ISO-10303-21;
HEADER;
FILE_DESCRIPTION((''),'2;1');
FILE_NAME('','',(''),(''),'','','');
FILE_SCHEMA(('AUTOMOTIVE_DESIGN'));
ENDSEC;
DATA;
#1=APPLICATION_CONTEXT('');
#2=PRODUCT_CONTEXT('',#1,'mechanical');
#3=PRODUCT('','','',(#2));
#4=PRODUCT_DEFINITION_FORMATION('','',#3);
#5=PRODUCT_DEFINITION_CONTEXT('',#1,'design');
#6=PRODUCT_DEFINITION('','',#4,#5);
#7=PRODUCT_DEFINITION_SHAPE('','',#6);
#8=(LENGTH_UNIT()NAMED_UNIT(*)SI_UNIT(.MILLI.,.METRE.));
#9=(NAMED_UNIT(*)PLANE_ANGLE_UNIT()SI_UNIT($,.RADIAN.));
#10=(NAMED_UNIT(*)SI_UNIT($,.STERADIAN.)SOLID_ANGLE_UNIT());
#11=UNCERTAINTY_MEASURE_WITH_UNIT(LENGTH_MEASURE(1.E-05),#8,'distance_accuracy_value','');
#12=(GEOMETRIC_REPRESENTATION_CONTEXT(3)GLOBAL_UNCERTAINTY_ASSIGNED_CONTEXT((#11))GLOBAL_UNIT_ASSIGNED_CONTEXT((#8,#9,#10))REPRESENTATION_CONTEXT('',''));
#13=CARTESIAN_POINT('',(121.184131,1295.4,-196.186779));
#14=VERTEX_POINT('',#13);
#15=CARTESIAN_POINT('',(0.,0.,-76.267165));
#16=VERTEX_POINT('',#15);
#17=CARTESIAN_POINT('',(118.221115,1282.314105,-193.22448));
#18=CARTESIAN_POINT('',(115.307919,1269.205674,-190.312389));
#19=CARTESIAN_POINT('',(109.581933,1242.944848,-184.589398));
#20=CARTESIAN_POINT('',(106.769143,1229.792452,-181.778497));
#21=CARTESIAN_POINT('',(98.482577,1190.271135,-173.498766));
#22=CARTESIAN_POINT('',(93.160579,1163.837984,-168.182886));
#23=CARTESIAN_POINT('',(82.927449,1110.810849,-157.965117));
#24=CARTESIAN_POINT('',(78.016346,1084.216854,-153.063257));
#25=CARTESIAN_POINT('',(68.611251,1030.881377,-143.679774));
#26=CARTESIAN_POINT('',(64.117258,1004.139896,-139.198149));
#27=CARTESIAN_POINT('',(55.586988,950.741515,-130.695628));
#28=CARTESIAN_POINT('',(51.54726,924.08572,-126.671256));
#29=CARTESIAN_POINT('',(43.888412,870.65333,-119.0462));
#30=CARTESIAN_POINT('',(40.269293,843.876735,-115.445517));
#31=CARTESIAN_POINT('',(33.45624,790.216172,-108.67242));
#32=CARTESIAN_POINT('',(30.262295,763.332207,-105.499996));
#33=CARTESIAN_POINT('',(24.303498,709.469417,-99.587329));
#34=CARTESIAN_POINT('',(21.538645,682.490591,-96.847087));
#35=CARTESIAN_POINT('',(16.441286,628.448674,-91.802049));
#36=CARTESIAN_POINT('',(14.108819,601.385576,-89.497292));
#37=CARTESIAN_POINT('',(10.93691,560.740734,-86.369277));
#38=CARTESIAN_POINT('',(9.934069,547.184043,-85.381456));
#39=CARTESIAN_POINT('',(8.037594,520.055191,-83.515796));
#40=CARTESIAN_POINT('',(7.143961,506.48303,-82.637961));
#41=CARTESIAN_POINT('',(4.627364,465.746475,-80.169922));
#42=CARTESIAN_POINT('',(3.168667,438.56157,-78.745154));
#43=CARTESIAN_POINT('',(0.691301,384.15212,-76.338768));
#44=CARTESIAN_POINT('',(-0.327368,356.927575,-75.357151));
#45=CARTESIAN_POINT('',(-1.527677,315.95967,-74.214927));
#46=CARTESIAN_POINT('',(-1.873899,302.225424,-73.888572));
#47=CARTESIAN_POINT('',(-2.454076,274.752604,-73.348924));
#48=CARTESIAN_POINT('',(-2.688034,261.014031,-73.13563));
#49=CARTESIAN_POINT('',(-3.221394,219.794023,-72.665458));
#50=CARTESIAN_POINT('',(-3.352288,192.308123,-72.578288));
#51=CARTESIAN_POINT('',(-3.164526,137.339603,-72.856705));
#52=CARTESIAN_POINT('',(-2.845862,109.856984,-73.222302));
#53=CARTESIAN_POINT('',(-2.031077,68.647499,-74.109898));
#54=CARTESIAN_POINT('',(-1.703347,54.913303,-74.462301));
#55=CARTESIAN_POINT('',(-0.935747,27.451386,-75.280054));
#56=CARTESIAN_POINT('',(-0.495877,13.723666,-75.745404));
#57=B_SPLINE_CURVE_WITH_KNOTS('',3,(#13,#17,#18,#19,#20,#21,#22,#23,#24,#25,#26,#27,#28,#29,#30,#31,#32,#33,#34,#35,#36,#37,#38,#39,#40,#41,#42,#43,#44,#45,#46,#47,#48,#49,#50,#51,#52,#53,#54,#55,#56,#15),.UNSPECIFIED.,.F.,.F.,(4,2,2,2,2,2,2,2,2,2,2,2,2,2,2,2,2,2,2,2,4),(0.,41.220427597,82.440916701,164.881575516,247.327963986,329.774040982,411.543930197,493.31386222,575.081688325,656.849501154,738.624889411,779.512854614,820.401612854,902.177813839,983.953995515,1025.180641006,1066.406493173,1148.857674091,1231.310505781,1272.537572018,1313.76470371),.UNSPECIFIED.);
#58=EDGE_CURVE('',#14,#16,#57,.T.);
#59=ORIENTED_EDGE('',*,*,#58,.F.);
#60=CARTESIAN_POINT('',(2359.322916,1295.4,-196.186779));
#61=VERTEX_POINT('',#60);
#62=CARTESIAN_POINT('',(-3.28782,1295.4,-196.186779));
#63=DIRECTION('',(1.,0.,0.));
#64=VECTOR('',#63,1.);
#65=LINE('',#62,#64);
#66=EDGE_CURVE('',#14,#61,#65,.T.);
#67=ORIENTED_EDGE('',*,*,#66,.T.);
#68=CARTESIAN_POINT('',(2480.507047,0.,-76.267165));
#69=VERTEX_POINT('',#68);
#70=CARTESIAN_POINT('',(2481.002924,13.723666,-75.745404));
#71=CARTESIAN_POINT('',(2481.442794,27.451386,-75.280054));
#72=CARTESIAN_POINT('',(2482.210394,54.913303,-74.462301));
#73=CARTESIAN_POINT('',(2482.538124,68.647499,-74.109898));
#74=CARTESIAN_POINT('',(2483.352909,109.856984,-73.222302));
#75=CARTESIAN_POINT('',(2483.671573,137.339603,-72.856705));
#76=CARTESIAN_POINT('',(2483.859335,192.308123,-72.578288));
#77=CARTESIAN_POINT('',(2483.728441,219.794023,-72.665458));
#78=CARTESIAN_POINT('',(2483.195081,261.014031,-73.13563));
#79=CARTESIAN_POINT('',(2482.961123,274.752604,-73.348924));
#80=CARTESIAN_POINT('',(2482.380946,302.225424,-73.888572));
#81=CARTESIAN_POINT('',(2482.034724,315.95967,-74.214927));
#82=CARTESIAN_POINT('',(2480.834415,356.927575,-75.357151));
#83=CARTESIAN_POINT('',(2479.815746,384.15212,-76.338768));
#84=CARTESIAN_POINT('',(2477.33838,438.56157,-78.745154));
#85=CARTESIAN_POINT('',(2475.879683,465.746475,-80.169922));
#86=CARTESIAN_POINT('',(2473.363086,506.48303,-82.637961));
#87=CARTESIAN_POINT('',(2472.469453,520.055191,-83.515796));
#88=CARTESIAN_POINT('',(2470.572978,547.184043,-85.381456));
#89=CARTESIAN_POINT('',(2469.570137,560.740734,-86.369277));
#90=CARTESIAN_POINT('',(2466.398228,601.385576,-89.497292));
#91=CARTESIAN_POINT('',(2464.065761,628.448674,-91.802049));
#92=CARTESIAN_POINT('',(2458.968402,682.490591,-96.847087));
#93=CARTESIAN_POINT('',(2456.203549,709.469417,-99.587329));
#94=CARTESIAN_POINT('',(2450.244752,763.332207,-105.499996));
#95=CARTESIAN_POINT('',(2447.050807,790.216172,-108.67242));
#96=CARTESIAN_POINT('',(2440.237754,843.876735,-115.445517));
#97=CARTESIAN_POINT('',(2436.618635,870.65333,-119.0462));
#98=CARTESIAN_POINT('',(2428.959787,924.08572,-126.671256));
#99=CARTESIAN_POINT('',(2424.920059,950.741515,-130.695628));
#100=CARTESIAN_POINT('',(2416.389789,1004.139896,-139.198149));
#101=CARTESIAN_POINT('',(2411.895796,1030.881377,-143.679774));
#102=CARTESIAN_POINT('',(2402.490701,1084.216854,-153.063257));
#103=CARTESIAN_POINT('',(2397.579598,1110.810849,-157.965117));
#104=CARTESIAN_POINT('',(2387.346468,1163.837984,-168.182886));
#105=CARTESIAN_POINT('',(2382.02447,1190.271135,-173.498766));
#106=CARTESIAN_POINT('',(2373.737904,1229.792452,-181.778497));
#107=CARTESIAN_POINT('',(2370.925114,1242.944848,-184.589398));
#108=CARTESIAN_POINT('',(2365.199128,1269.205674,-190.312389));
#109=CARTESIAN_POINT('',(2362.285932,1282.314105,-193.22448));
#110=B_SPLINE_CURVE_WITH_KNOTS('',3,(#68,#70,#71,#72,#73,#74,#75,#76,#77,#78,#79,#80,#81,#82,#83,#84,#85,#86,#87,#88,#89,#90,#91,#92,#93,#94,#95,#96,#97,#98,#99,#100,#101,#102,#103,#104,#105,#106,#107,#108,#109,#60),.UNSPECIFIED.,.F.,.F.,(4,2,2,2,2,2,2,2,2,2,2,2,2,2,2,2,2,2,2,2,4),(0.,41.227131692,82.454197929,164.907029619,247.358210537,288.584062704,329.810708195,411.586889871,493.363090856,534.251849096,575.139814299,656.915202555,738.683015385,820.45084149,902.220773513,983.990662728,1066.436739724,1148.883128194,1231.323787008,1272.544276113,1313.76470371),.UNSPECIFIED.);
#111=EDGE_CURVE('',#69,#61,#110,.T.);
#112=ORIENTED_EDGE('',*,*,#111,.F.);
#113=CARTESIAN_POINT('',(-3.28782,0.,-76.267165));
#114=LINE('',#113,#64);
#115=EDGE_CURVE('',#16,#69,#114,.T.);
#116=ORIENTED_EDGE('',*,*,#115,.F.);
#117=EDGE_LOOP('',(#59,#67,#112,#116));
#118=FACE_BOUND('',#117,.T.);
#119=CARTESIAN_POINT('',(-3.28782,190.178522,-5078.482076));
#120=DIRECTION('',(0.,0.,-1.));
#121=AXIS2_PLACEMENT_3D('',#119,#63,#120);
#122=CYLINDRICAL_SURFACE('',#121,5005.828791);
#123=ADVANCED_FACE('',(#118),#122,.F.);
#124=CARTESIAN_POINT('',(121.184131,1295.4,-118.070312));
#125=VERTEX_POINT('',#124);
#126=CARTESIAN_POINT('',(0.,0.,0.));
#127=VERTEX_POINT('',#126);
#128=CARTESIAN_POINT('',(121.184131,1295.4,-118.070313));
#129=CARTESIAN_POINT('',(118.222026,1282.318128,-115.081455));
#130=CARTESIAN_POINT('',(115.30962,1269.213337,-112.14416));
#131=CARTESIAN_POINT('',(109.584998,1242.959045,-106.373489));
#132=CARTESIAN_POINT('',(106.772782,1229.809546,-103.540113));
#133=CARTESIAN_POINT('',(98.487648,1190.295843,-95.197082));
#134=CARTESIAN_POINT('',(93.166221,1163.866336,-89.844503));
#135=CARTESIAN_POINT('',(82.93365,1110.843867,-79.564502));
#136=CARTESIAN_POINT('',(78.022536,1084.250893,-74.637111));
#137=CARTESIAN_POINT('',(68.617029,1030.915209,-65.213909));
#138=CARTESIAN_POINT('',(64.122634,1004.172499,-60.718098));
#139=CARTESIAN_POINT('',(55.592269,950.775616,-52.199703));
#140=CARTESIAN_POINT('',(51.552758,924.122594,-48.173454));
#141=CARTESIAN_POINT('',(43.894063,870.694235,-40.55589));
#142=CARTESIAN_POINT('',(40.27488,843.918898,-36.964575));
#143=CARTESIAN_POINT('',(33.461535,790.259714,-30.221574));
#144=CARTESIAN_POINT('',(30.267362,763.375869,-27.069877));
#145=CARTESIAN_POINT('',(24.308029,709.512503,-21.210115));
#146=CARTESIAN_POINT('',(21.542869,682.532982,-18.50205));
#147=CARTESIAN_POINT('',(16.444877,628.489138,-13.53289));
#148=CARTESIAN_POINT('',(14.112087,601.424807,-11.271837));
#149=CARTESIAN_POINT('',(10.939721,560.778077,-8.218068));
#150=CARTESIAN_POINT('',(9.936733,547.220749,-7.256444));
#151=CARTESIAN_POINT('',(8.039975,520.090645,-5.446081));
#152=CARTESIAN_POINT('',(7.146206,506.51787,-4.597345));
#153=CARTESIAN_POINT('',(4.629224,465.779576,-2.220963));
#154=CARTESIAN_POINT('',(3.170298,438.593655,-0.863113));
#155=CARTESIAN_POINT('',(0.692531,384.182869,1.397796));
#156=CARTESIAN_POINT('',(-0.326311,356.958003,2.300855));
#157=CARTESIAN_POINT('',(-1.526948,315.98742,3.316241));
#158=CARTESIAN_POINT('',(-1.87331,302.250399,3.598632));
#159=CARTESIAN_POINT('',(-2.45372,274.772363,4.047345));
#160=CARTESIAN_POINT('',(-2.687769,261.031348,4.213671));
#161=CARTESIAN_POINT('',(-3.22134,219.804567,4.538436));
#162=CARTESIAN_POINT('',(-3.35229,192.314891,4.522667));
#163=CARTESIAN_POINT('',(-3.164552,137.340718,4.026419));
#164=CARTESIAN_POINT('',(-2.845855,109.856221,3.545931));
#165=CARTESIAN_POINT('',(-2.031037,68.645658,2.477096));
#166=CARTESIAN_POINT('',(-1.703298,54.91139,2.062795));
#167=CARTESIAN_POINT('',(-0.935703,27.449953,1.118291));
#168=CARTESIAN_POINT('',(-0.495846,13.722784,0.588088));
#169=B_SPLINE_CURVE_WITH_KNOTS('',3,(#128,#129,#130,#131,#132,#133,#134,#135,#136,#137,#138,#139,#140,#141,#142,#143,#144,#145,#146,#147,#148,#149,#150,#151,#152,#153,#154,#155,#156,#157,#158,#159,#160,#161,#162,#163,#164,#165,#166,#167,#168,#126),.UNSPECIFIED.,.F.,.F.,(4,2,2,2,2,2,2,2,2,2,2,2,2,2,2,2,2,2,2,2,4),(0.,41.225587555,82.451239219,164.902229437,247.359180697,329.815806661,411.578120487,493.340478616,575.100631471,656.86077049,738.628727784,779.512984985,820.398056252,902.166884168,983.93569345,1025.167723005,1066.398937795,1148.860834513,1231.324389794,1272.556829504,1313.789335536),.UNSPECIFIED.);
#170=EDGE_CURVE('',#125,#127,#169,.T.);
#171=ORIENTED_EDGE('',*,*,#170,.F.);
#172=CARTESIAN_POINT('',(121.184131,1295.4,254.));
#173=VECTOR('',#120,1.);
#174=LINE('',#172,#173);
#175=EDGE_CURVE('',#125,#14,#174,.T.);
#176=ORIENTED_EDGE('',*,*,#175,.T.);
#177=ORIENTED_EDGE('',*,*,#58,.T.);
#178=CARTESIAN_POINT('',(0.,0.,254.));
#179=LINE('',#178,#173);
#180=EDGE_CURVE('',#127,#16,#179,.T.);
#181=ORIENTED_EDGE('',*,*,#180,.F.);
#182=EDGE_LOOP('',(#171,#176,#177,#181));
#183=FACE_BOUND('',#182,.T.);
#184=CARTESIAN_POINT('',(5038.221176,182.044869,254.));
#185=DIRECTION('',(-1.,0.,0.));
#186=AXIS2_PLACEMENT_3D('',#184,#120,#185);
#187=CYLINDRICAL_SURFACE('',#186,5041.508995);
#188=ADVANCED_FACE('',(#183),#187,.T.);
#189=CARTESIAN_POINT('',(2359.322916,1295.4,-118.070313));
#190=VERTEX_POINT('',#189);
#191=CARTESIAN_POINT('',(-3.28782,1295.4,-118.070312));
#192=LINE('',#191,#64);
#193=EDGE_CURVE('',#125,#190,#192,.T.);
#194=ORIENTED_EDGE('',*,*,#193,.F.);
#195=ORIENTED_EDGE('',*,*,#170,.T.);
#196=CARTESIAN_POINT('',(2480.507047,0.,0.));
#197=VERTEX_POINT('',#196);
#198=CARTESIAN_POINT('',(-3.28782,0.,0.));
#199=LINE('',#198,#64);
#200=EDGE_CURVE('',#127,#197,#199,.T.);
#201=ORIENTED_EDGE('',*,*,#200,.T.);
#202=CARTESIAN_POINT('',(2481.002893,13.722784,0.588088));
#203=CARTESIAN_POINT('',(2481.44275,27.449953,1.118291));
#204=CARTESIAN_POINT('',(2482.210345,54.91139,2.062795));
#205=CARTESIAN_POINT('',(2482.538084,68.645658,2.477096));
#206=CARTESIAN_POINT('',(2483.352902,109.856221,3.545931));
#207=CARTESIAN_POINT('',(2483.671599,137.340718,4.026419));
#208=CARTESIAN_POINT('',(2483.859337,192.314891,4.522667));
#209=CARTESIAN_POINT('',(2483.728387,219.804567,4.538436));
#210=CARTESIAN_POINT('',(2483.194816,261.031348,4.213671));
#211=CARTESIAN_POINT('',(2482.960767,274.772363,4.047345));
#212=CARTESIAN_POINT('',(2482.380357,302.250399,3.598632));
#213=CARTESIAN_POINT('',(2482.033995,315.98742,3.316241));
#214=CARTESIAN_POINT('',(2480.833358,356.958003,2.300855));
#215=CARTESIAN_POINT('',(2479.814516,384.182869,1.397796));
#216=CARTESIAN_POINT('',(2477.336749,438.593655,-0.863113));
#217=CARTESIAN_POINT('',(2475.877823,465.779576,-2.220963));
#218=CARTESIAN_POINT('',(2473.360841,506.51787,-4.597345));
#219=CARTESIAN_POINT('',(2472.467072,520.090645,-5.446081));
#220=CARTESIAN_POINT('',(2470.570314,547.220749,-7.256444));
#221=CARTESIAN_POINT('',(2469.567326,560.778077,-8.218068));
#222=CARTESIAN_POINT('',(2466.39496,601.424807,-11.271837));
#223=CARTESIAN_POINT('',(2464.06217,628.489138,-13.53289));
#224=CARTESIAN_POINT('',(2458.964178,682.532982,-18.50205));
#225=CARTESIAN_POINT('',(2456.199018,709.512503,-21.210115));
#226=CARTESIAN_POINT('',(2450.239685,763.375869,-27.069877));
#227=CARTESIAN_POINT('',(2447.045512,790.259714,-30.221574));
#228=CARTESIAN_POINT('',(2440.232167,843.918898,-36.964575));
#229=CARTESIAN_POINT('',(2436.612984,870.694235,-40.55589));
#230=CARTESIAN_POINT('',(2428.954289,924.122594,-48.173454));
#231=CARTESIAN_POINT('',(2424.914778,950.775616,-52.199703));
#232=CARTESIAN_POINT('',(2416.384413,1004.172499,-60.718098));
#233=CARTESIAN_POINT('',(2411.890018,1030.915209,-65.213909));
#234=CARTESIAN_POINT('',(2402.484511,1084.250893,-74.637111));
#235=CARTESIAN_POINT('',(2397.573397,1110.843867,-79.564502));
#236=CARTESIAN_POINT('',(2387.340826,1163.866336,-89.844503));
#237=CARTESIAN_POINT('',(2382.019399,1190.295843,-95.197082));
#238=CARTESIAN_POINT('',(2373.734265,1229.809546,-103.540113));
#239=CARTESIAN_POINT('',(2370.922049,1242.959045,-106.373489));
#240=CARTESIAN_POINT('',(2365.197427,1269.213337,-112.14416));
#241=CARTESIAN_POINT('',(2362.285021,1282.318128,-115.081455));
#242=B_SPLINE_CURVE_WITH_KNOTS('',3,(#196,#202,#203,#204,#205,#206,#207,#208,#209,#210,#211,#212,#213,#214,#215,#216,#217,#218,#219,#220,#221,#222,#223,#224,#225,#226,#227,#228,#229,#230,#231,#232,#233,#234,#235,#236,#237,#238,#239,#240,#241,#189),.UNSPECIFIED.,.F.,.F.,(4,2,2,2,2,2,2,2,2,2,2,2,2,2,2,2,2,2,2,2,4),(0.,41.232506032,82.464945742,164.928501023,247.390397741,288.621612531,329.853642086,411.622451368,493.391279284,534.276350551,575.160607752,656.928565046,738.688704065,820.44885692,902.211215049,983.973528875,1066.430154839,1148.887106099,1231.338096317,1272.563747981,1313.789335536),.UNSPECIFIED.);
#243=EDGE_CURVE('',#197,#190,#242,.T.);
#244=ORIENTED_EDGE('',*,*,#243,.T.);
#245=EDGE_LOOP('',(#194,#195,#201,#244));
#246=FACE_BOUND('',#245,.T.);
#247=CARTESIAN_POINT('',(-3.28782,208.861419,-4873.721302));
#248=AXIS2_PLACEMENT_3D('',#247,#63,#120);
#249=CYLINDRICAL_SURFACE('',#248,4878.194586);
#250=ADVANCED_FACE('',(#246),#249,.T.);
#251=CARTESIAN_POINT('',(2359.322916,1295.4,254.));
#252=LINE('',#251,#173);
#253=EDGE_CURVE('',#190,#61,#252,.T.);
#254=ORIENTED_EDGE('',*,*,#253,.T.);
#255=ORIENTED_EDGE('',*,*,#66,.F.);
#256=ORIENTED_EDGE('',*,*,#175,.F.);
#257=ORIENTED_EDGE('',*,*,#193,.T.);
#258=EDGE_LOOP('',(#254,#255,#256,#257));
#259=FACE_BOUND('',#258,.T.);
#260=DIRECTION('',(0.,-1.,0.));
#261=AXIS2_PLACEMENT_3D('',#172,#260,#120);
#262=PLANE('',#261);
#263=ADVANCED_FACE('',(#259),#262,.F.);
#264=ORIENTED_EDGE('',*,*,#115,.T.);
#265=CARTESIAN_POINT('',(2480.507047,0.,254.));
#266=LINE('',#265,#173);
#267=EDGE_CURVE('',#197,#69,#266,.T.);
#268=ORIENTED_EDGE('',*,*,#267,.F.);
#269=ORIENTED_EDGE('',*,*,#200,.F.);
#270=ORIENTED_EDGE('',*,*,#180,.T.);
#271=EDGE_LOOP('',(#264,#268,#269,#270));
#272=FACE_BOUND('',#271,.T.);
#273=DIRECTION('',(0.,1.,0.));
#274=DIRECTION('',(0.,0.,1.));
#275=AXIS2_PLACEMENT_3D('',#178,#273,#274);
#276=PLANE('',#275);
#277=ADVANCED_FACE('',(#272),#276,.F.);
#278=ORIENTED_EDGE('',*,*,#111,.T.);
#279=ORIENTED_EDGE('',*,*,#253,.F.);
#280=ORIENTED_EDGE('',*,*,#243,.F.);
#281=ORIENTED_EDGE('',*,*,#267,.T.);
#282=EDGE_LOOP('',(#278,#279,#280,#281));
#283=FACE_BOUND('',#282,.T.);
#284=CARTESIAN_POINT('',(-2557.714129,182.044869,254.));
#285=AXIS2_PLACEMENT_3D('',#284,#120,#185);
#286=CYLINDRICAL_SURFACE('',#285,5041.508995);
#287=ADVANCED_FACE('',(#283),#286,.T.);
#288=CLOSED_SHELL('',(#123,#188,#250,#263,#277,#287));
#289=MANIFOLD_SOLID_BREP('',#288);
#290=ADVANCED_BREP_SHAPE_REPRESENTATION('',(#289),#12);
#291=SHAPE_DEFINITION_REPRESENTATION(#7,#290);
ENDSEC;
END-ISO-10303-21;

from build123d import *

# Parameters (mm, degrees)
BOSS_EXTRUDE1_DEPTH     = 254
CUT_EXTRUDE1_DEPTH      = 2813.794713328
CUT_EXTRUDE1_DEPTH_BACK = 2813.794713328


with BuildPart() as part:
    # Sketch1 → Boss-Extrude1 (new, symmetric)
    with BuildSketch(Plane.XY):
        with BuildLine():
            Line((121.1841308, 1295.4), (2359.322916218, 1295.4))
            ThreePointArc((2359.322916218, 1295.4), (2461.87817047, 651.62563885), (2480.507047018, 0))
            Line((2480.507047018, 0), (0, 0))
            ThreePointArc((0, 0), (18.628876548, 651.62563885), (121.1841308, 1295.4))
        make_face()
    extrude(amount=BOSS_EXTRUDE1_DEPTH, both=True)

    # Sketch2 → Cut-Extrude1 (cut, two sides: drawn at the far end of the back side and taken through both)
    with BuildSketch(Plane(origin=(0, 0, 0), x_dir=(0, 0, -1), z_dir=(1, 0, 0)).offset(-CUT_EXTRUDE1_DEPTH_BACK)):
        with BuildLine():
            ThreePointArc((118.0703125, 1295.4), (15.664285855, 651.653074125), (0, 0))
            Line((0, 0), (-254, 0))
            Line((-254, 0), (-254, 1295.4))
            Line((-254, 1295.4), (118.0703125, 1295.4))
        make_face()
        with BuildLine():
            Line((196.186778864, 1295.4), (254, 1295.4))
            Line((254, 1295.4), (254, 0))
            Line((254, 0), (76.26716522, 0))
            ThreePointArc((76.26716522, 0), (93.965970842, 651.612245589), (196.186778864, 1295.4))
        make_face()
    extrude(amount=CUT_EXTRUDE1_DEPTH + CUT_EXTRUDE1_DEPTH_BACK, mode=Mode.SUBTRACT)


solid = part.part
